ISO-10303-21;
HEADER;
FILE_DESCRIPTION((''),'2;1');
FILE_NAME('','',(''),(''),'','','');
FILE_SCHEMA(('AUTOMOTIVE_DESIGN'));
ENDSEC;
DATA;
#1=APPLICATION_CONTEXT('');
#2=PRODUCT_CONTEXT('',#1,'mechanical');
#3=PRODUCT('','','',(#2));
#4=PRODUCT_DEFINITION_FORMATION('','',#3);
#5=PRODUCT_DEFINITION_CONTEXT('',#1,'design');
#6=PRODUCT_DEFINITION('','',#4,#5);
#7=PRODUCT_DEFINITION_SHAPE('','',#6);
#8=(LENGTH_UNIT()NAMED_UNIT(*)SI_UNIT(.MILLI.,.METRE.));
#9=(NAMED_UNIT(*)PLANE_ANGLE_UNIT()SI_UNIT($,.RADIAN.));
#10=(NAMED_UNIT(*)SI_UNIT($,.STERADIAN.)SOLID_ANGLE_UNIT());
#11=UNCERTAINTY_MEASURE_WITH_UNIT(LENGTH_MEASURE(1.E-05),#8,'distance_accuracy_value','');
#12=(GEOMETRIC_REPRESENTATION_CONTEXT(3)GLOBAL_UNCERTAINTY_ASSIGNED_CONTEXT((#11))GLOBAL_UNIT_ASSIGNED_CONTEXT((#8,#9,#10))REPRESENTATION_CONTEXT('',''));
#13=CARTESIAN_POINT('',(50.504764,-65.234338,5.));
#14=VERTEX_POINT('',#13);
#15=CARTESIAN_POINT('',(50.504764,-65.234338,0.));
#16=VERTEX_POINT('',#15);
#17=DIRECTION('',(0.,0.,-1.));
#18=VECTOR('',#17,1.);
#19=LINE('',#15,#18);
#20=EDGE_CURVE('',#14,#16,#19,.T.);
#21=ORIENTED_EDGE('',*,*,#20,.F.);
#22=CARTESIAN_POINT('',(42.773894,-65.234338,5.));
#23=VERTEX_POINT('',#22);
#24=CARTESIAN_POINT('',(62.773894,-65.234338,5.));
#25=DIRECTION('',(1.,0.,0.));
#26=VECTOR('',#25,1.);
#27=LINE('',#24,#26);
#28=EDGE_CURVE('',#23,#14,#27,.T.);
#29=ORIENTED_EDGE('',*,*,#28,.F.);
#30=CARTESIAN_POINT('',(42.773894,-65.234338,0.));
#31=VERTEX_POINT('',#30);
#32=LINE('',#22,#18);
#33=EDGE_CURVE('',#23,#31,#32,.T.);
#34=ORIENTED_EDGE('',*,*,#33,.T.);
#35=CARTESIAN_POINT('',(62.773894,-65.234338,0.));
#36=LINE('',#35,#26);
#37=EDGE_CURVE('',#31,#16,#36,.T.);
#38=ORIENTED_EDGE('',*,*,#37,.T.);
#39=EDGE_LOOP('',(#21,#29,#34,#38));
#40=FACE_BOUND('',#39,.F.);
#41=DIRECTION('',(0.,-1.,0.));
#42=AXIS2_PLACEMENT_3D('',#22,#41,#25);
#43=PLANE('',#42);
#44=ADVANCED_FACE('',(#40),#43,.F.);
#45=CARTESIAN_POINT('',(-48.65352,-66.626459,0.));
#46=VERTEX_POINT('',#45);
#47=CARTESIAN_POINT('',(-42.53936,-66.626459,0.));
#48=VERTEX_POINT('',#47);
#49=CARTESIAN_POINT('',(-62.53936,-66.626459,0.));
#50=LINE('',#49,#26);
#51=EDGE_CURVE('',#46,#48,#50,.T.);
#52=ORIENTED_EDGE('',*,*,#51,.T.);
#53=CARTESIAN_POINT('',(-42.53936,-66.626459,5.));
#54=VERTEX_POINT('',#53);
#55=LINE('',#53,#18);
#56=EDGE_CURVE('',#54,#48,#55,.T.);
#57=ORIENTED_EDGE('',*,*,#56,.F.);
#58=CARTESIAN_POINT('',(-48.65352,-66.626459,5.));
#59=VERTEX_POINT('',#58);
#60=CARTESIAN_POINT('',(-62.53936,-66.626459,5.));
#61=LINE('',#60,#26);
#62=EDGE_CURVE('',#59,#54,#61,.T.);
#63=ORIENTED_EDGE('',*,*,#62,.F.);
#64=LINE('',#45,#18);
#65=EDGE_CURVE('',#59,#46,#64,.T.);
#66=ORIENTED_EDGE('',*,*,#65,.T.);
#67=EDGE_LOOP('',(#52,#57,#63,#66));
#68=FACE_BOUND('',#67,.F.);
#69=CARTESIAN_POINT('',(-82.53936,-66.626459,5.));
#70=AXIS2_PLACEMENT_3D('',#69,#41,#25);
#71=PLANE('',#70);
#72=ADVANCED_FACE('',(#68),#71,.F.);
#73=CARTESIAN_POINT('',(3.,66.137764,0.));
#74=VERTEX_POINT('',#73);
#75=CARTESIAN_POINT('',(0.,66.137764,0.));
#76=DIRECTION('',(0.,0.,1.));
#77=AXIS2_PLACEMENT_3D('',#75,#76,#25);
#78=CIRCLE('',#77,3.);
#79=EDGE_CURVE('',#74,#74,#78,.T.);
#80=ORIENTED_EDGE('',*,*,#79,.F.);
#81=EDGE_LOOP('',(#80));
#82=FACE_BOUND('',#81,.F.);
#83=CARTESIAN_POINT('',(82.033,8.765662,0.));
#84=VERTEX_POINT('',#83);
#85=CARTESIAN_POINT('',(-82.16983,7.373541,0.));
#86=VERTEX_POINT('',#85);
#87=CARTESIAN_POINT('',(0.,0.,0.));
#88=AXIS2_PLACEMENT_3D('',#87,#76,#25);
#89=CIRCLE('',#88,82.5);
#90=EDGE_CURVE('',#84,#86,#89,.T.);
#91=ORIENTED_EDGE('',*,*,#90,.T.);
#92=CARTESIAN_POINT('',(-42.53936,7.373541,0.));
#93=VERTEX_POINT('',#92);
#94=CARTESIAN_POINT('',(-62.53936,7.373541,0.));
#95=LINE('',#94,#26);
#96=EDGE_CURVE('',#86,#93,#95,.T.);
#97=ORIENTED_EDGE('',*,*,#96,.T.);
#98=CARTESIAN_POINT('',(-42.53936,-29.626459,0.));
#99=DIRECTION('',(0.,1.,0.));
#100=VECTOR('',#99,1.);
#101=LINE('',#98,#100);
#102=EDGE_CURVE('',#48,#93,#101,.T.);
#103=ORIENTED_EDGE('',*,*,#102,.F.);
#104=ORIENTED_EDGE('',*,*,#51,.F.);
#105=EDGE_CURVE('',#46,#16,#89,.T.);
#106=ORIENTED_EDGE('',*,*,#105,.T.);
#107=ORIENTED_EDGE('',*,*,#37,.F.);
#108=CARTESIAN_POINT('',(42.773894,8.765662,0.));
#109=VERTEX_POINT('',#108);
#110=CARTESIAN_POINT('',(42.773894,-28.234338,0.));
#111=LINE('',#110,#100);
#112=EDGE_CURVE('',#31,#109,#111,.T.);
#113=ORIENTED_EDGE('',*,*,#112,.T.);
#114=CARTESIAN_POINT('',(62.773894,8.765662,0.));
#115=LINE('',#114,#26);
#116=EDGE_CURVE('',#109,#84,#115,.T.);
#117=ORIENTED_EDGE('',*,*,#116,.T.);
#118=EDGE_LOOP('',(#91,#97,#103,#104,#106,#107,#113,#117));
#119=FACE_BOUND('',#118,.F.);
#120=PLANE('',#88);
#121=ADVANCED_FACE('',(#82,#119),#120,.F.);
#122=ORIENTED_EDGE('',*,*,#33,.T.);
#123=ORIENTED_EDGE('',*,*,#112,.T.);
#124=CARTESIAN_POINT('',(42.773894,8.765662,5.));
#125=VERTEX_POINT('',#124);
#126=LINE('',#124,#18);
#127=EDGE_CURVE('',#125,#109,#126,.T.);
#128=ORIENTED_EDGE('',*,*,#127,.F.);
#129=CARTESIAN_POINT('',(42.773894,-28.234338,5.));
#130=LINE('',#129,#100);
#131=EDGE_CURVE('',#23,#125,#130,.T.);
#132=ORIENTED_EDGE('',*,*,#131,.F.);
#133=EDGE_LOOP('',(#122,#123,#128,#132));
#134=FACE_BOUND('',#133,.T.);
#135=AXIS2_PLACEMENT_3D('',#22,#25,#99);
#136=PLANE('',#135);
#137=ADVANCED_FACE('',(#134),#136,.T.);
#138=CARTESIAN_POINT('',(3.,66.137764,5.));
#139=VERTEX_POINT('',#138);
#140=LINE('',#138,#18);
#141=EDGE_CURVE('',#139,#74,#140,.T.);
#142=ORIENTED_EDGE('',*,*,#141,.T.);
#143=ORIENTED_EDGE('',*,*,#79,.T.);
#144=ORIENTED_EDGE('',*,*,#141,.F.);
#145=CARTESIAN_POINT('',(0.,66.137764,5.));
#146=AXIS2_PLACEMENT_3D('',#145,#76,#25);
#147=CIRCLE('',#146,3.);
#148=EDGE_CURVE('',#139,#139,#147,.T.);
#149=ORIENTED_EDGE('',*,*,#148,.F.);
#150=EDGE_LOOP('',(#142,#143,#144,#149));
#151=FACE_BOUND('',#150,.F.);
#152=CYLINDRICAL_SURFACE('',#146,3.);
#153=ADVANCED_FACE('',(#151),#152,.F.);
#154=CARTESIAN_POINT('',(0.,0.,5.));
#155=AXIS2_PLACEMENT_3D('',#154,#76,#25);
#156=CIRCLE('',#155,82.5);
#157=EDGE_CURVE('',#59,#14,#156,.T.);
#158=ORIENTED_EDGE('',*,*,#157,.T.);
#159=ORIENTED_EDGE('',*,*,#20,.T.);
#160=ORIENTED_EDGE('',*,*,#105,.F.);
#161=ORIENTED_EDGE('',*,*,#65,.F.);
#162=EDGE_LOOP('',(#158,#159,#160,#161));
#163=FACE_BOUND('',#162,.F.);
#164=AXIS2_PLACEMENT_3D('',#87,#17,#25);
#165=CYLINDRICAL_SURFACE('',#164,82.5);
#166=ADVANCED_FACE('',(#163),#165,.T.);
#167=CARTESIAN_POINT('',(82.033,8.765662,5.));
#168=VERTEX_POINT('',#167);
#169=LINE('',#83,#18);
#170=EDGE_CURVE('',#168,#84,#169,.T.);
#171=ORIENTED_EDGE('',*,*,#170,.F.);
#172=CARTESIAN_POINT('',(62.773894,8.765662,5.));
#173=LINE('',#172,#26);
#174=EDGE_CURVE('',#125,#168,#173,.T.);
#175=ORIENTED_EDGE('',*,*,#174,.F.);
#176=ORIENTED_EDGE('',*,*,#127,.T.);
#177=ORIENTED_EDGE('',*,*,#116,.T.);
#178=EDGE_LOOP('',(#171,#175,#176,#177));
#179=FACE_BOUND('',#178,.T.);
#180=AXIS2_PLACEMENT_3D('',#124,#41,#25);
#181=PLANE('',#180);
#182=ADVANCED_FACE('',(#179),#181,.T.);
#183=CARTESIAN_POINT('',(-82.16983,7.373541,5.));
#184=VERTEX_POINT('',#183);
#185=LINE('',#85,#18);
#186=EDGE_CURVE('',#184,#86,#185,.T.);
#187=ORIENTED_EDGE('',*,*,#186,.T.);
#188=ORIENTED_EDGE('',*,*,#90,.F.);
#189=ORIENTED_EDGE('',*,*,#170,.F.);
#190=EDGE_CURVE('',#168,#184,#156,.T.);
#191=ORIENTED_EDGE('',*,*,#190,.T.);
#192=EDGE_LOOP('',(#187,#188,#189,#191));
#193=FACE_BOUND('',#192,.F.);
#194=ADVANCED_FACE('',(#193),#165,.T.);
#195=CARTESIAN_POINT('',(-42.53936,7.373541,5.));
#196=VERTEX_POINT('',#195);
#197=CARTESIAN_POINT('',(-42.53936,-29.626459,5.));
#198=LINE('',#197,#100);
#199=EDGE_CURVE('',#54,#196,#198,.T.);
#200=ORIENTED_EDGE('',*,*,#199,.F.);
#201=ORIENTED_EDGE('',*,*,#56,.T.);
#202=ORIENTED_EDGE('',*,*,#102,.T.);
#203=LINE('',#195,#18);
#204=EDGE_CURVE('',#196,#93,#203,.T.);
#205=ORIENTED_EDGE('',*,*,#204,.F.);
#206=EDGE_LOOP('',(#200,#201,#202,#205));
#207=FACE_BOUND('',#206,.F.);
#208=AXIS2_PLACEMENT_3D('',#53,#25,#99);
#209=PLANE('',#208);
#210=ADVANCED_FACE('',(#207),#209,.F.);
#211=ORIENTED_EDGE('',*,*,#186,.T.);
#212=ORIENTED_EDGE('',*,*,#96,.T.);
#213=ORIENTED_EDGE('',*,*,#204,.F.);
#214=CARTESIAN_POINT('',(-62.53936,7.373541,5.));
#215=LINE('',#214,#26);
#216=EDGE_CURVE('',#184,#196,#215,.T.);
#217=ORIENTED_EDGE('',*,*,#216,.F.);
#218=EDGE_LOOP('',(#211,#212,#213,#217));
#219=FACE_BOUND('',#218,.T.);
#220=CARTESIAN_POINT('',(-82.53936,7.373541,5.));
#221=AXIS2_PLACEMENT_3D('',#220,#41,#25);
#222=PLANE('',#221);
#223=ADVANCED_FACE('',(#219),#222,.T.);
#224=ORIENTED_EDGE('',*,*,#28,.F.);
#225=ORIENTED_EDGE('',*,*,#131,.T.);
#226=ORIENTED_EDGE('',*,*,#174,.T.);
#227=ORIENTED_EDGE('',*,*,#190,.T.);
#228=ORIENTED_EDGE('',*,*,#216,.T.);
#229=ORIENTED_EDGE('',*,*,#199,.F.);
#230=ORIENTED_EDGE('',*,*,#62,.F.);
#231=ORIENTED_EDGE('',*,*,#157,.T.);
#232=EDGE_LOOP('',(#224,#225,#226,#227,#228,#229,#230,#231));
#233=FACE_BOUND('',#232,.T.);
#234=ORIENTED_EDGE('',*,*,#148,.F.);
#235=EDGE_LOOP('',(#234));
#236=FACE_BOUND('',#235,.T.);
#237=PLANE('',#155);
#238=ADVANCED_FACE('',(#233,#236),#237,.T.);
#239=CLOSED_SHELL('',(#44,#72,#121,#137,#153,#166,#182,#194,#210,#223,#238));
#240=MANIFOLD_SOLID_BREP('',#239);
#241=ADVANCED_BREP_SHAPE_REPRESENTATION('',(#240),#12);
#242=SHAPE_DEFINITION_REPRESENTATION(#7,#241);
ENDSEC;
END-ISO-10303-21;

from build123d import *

# Parameters (mm, degrees)
SKETCH_R     = 82.5
PAD_DEPTH    = 5
SKETCH001_W  = 40
SKETCH001_H  = 74
POCKET_DEPTH = 5
SKETCH002_R  = 3
HOLE_DEPTH   = 25


with BuildPart() as part:
    # Sketch → Pad (new body)
    with BuildSketch(Plane.XY):
        Circle(SKETCH_R)
    extrude(amount=PAD_DEPTH)

    # Sketch001 (on Face3 of Pad) → Pocket (cut)
    with BuildSketch(Plane.XY.offset(5)):
        with Locations((-62.53936, -29.626459)):
            Rectangle(SKETCH001_W, SKETCH001_H)
        with Locations((62.773894, -28.234338)):
            Rectangle(SKETCH001_W, SKETCH001_H)
    extrude(amount=-POCKET_DEPTH, mode=Mode.SUBTRACT)

    # Sketch002 (on Face4 of Pocket) → Hole (cut)
    with BuildSketch(Plane.XY.offset(5)):
        with Locations((0, 66.137764)):
            Circle(SKETCH002_R)
    extrude(amount=-HOLE_DEPTH, mode=Mode.SUBTRACT)


solid = part.part
